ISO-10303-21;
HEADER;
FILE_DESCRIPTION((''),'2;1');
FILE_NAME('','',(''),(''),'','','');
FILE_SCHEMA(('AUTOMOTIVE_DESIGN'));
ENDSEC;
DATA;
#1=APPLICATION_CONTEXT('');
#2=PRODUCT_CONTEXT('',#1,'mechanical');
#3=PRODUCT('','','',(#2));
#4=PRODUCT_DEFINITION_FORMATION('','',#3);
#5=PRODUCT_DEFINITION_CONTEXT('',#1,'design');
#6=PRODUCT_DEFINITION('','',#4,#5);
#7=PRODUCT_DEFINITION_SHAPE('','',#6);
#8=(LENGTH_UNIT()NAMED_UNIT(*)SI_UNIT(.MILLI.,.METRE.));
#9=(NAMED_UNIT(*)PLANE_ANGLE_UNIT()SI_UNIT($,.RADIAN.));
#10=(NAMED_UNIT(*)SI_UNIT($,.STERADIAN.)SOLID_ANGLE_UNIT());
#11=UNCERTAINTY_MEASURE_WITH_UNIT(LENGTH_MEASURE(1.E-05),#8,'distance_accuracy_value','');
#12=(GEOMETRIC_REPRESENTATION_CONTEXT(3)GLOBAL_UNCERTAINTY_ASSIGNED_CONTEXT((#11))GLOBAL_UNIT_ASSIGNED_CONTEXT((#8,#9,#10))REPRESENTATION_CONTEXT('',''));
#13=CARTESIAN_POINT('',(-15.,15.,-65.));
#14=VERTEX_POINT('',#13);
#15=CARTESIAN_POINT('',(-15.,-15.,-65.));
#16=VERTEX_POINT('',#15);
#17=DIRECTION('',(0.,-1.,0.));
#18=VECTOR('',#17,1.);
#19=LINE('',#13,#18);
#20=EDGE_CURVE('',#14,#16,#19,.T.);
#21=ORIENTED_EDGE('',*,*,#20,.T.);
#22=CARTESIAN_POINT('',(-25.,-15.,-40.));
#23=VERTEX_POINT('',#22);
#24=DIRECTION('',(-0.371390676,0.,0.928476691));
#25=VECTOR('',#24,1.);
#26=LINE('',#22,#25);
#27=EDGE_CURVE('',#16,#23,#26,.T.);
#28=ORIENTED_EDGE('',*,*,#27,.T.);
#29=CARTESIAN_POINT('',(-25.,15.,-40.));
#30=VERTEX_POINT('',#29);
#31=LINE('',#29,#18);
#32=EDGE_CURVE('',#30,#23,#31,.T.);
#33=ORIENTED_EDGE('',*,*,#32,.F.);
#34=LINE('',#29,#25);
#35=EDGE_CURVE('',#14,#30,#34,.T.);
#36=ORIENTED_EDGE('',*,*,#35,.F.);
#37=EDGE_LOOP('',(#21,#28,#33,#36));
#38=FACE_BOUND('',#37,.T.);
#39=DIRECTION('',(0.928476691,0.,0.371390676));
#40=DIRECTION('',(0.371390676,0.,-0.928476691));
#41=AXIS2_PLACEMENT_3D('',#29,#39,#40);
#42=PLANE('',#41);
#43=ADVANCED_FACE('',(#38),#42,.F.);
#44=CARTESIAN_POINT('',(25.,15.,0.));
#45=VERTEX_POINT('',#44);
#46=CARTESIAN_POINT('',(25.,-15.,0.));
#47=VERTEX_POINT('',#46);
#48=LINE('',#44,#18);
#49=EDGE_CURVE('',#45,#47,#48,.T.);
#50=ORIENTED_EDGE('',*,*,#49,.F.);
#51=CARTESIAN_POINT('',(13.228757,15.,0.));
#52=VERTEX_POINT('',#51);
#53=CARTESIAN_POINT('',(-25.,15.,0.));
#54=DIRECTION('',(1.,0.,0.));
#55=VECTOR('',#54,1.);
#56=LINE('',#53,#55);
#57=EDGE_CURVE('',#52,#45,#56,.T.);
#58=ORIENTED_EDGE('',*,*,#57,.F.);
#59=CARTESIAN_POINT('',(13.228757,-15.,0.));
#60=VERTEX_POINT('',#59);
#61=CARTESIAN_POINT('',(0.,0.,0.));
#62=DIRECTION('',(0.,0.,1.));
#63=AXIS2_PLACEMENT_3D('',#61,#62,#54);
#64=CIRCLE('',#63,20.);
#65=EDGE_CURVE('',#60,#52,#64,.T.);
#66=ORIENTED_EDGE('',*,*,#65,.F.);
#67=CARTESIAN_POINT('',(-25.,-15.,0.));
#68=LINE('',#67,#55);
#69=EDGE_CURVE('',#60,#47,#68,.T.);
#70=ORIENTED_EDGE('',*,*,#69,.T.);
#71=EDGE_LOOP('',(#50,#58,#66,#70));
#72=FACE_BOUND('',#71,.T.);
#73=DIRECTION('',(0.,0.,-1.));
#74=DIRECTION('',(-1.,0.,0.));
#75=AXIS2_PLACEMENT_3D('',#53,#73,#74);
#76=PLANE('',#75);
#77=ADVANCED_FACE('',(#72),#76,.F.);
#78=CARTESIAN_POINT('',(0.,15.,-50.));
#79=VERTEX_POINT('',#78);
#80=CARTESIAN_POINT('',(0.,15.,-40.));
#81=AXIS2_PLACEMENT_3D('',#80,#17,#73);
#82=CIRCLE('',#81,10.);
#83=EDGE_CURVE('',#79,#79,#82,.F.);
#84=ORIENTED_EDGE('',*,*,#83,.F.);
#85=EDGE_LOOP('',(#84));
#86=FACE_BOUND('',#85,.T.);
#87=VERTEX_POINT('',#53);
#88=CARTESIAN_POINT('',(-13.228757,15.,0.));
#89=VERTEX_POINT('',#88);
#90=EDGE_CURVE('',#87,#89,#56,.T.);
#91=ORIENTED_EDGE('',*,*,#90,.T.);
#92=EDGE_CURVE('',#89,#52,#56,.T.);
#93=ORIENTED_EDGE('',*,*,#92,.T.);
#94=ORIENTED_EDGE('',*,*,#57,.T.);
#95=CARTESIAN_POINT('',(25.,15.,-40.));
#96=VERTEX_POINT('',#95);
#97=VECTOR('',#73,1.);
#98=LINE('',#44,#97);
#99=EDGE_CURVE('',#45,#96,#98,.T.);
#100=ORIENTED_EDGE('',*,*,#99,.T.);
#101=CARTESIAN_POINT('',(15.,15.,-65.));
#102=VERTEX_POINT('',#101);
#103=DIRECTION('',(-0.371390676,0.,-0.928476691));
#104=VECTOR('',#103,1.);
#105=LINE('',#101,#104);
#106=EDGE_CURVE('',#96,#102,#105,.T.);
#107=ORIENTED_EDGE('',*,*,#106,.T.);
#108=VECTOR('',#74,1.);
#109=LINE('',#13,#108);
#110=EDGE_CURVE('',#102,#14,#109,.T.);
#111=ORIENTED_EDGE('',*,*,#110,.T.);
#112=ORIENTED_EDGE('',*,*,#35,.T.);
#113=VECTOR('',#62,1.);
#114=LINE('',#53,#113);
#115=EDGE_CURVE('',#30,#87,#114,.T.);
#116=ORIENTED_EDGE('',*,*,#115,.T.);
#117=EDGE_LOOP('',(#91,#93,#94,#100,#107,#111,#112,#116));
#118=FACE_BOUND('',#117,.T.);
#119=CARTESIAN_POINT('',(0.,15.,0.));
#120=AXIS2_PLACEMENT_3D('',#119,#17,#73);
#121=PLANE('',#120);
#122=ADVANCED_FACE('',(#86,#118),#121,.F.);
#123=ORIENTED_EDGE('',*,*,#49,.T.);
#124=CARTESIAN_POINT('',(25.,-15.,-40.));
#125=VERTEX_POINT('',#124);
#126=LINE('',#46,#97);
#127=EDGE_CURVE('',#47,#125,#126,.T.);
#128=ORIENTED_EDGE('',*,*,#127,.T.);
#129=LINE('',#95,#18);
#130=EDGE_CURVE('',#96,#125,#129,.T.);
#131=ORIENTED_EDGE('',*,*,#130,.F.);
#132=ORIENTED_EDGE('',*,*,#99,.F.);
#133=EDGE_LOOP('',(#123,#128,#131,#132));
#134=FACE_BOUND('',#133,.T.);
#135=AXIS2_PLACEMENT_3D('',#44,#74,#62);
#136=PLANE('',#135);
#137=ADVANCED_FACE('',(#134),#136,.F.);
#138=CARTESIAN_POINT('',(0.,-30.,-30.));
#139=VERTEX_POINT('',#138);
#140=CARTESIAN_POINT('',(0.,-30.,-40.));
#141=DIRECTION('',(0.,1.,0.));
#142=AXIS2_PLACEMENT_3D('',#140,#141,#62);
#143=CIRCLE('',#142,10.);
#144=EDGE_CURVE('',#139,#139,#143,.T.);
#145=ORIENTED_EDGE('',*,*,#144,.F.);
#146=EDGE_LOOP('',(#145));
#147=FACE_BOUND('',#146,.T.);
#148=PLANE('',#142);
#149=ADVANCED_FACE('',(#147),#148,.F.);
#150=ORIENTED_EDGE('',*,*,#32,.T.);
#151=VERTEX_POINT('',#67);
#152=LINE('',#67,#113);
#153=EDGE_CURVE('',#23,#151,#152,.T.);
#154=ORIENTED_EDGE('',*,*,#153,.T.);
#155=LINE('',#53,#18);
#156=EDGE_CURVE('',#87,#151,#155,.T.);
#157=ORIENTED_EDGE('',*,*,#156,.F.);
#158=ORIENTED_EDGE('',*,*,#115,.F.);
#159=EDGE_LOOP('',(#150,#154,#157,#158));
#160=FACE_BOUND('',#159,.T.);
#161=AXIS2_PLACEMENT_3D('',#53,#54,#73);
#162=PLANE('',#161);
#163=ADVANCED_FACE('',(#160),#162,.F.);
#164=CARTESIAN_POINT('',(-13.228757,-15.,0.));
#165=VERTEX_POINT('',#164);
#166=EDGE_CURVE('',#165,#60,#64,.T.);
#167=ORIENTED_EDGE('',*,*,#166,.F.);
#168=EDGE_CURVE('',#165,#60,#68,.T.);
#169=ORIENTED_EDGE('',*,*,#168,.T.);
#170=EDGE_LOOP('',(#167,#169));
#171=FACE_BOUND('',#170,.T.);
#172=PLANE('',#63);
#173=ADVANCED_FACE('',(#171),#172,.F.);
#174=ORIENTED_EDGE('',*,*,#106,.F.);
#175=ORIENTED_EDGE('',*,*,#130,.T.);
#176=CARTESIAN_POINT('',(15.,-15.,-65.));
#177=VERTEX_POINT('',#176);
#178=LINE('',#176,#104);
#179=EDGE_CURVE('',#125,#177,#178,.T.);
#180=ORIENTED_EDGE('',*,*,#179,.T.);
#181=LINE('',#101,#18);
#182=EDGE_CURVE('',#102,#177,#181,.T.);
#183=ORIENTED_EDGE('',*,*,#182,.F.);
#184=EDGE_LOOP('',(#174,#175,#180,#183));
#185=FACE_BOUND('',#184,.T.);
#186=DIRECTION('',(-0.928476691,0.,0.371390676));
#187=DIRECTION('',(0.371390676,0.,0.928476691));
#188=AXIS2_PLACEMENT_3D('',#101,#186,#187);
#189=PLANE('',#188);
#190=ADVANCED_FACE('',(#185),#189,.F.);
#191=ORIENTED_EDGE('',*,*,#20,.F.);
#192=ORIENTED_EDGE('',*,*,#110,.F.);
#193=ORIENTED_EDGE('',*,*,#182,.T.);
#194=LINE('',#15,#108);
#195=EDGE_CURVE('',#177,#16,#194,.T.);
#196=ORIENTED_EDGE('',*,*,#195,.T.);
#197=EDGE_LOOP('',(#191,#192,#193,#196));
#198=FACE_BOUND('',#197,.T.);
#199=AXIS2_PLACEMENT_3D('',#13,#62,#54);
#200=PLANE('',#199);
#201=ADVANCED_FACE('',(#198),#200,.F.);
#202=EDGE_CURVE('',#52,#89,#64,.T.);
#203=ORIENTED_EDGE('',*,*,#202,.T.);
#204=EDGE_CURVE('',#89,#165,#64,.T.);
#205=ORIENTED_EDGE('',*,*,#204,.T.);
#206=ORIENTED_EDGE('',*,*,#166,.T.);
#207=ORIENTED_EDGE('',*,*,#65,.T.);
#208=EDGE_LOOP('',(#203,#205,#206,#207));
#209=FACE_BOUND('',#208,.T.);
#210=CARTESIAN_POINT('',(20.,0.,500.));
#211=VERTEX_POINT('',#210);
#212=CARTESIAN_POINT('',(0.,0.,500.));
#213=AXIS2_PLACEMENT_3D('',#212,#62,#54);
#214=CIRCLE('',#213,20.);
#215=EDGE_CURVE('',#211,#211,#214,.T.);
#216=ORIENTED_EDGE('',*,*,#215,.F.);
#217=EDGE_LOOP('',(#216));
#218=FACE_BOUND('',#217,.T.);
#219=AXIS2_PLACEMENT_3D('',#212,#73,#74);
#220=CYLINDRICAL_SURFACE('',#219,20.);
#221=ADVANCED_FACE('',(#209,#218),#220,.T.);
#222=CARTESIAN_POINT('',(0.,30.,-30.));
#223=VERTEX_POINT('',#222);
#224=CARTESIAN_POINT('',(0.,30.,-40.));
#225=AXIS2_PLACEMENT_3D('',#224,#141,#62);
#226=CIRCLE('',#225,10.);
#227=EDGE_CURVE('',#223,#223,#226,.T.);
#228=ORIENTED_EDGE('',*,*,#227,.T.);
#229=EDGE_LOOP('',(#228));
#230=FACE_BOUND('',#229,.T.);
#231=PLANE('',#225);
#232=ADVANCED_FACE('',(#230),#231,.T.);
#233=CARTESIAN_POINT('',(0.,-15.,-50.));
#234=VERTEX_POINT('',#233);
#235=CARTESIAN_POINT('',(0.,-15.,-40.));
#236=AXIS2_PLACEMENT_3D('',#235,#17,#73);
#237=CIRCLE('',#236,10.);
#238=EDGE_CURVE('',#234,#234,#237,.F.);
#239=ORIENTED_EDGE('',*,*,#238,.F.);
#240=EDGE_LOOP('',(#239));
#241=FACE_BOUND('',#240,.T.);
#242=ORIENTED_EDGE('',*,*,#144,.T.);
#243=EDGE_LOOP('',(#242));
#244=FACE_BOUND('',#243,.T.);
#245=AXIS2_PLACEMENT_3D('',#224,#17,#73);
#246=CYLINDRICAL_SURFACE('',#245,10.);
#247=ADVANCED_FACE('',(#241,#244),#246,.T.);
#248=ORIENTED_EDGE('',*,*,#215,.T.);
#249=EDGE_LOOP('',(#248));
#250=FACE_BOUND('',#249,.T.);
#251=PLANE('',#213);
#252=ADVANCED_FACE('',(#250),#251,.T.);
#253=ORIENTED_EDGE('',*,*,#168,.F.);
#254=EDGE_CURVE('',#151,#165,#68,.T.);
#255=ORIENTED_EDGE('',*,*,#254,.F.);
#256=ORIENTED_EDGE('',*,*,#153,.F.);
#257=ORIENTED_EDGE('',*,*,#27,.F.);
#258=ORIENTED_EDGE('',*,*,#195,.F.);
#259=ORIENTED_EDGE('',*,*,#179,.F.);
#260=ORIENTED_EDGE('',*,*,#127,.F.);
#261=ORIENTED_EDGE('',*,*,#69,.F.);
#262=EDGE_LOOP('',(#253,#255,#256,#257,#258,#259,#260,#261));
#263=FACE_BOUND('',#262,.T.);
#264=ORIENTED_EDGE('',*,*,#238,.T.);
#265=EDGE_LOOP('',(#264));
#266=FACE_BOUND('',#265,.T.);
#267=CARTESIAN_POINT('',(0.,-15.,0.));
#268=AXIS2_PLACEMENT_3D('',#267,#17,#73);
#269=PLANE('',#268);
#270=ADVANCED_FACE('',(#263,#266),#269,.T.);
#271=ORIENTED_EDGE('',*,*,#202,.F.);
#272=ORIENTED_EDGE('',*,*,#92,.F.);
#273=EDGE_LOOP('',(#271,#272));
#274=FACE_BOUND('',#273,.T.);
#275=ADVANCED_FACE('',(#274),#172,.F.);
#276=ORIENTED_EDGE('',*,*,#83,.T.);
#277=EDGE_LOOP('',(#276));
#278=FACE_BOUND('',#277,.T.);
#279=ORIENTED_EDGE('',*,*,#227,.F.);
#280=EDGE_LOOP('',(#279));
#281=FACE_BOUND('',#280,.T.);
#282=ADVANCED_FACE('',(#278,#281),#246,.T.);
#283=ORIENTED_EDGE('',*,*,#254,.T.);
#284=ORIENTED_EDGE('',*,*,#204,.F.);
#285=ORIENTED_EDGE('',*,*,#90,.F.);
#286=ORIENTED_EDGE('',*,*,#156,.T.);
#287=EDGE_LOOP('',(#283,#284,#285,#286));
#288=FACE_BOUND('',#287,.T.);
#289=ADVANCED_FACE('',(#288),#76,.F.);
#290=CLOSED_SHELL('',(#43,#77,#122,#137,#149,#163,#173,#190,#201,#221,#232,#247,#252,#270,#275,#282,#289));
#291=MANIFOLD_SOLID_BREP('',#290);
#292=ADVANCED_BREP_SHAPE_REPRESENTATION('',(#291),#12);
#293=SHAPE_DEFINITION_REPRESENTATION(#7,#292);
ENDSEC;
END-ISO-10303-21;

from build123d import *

# Parameters (mm, degrees)
SKETCH1_R           = 20
BOSS_EXTRUDE1_DEPTH = 500
BOSS_EXTRUDE2_DEPTH = 15
SKETCH4_R           = 10
BOSS_EXTRUDE3_DEPTH = 30


with BuildPart() as part:
    # Sketch1 → Boss-Extrude1 (new body)
    with BuildSketch(Plane.XY):
        Circle(SKETCH1_R)
    extrude(amount=BOSS_EXTRUDE1_DEPTH)

    # Sketch2 → Boss-Extrude2 (add, symmetric)
    with BuildSketch(Plane(origin=(0, 0, 0), x_dir=(1, 0, 0), z_dir=(0, 1, 0))):
        Polygon((-25, 40), (-15, 65), (15, 65), (25, 40), (25, 0), (-25, 0), align=None)
    extrude(amount=BOSS_EXTRUDE2_DEPTH, both=True)

    # Sketch4 → Boss-Extrude3 (add, symmetric)
    with BuildSketch(Plane(origin=(0, 0, 0), x_dir=(1, 0, 0), z_dir=(0, 1, 0))):
        with Locations(Location((0, 40, 0), (0, 0, 90))):
            Circle(SKETCH4_R)
    extrude(amount=BOSS_EXTRUDE3_DEPTH, both=True)


solid = part.part
